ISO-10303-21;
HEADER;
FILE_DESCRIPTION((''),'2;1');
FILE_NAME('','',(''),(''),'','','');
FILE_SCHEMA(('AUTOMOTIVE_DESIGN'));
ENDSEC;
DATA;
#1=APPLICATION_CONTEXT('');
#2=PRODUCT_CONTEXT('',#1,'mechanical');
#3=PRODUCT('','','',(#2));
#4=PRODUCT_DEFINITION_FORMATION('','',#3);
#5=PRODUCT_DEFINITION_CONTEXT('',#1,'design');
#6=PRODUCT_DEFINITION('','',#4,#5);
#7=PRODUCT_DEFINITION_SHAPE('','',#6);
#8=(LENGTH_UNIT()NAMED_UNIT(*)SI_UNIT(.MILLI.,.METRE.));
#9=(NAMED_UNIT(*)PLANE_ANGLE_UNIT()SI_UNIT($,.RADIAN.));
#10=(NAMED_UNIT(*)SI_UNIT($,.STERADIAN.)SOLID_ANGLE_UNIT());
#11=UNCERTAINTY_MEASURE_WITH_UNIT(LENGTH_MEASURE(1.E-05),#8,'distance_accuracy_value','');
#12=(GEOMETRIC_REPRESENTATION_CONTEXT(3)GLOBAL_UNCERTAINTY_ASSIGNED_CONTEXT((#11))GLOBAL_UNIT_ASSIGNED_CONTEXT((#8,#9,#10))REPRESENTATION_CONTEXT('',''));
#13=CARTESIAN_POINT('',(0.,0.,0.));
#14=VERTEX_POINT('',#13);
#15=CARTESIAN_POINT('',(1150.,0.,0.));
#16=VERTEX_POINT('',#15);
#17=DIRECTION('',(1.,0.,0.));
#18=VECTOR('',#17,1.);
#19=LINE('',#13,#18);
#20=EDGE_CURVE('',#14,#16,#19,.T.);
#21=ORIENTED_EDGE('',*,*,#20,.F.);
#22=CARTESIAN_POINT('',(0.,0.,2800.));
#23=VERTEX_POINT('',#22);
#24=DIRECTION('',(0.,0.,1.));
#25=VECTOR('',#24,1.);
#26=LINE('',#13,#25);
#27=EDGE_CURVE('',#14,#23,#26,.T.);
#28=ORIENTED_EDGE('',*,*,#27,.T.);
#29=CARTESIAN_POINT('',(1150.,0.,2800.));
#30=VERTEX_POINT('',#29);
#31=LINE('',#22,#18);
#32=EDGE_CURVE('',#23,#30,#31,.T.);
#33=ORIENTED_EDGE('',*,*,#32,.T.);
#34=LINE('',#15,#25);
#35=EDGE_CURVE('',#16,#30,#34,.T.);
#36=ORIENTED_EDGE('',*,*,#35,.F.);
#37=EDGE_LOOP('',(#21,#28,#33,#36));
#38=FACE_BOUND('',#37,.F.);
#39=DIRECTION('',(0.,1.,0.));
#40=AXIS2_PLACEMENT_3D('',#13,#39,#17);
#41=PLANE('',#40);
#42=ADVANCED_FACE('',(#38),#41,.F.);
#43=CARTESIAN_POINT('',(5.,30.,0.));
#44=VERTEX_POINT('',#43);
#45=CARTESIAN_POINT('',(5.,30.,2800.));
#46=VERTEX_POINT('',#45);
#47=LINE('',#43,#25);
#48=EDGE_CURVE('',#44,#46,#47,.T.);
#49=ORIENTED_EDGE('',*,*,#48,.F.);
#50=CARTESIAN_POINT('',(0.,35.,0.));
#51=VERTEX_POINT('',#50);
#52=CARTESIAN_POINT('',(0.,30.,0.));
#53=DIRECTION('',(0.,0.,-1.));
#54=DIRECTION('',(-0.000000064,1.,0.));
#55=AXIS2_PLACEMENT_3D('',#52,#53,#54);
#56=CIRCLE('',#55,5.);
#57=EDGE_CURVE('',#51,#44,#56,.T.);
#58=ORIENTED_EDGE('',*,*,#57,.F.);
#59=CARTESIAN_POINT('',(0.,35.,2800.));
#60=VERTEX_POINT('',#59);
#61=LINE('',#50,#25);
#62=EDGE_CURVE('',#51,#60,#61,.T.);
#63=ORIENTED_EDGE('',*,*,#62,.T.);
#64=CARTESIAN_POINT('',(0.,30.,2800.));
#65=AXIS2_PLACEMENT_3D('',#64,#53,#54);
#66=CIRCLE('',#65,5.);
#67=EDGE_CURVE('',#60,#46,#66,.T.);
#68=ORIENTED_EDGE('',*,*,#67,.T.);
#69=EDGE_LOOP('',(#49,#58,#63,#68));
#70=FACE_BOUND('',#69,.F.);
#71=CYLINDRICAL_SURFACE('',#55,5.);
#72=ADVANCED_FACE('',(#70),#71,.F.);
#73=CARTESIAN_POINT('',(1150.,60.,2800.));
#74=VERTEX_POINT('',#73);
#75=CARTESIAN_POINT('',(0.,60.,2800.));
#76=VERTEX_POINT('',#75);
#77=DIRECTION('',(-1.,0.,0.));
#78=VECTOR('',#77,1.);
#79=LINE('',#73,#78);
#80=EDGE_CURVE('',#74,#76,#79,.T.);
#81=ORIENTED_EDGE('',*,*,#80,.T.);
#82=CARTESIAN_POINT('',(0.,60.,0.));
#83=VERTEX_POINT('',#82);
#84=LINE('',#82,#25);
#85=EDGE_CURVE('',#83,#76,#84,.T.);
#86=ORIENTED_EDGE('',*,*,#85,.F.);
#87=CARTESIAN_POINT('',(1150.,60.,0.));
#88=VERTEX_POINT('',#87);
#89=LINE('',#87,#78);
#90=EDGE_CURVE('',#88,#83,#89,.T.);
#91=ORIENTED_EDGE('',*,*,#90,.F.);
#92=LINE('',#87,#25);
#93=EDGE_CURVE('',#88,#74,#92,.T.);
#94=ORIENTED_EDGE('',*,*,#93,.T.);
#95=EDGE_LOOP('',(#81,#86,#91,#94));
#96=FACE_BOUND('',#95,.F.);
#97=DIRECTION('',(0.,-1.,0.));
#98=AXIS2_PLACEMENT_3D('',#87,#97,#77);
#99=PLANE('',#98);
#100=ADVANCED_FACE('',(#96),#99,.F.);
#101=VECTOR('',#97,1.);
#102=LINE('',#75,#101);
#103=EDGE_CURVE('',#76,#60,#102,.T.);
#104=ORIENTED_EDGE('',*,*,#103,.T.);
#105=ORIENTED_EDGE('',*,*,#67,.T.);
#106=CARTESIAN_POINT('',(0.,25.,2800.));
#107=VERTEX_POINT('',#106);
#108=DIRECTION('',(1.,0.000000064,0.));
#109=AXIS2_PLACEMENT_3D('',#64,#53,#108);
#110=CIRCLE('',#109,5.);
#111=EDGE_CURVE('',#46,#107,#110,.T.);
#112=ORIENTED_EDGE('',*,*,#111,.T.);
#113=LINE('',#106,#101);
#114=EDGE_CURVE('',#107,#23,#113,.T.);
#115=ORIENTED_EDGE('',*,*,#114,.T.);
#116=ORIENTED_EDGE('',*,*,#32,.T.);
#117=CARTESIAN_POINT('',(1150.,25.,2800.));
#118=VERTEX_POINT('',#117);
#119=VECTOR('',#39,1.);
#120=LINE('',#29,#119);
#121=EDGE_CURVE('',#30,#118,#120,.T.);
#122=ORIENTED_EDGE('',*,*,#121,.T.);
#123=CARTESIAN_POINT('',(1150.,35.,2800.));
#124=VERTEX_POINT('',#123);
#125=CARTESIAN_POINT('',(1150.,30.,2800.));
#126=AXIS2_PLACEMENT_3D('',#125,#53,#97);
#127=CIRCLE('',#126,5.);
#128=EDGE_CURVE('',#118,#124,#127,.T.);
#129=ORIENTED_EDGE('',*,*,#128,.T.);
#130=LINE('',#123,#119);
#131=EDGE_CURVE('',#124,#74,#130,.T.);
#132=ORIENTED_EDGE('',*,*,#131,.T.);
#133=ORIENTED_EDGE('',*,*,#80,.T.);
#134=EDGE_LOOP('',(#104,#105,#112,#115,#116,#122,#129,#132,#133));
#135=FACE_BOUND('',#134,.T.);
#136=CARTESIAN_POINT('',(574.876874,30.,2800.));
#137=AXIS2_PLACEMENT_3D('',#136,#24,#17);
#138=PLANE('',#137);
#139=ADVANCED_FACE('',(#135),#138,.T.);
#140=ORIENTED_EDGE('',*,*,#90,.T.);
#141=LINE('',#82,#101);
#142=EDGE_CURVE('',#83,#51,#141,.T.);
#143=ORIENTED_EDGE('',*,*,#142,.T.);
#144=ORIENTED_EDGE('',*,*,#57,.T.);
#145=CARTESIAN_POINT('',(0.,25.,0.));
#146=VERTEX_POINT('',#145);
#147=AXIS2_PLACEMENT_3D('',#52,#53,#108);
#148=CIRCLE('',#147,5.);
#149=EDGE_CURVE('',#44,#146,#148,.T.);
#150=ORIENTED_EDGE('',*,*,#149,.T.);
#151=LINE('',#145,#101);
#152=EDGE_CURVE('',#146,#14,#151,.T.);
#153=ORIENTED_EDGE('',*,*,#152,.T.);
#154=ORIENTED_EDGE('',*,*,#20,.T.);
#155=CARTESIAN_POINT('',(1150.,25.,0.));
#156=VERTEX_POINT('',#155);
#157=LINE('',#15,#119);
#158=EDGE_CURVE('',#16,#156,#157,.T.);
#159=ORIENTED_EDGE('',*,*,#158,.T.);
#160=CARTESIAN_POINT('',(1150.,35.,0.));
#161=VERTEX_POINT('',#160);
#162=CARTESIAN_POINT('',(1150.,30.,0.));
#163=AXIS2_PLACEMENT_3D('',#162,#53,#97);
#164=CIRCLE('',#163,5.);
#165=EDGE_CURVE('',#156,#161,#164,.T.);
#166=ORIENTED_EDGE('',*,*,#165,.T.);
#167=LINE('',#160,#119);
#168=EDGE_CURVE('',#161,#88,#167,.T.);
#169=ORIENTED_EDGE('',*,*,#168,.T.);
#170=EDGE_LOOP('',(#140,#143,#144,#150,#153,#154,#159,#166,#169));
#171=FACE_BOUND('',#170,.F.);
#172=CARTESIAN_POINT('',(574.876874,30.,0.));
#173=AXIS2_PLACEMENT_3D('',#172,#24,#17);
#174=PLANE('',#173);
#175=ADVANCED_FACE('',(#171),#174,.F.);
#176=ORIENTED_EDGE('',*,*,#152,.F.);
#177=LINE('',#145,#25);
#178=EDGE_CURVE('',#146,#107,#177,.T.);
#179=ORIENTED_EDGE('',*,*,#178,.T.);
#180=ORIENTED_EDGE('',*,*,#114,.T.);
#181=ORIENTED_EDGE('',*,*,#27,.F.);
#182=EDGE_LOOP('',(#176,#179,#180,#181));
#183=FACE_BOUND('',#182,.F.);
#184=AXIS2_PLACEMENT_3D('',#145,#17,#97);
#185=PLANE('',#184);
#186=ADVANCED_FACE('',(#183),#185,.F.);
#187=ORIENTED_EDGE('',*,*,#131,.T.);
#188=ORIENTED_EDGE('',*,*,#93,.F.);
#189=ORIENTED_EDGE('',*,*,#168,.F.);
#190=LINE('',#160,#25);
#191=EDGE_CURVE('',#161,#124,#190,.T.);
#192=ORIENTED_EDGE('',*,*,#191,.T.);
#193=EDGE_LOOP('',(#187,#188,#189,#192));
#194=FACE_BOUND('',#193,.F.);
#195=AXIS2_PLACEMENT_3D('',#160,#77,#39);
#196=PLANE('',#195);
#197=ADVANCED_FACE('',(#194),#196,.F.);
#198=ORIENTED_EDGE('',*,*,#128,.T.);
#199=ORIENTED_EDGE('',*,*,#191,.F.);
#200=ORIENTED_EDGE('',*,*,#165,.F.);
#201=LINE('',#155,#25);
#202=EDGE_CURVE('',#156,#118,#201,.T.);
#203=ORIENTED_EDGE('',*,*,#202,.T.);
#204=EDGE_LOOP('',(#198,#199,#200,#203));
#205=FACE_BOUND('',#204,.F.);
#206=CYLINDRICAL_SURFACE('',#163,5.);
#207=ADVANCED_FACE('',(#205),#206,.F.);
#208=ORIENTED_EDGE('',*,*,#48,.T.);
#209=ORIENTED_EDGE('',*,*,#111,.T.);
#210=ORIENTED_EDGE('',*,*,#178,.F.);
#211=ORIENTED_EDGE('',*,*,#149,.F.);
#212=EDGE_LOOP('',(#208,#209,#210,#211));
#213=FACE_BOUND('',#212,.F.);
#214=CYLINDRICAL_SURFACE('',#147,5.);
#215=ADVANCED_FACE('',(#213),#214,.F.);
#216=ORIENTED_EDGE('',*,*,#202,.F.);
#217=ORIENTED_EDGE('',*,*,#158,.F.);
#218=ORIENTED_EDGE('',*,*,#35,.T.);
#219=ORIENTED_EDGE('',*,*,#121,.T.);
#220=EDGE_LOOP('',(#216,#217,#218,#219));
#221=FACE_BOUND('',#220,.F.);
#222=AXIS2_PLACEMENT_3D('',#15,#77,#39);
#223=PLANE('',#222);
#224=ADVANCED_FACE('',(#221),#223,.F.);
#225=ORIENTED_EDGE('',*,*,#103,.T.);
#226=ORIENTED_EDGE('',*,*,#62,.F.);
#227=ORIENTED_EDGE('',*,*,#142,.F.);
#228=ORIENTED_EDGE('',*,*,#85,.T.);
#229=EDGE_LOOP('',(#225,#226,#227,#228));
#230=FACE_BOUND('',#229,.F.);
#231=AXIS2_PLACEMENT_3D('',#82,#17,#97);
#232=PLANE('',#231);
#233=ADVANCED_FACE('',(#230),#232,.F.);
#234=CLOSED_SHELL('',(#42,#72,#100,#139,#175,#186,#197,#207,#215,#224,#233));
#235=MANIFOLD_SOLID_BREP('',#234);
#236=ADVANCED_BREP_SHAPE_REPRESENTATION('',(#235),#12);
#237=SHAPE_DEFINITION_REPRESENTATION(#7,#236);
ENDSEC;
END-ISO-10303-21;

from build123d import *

# Parameters (mm, degrees)
F1_DEPTH = 2800


with BuildPart() as f1:
    # F0 (on Top) → F1 (new body)
    with BuildSketch(Plane.XY):
        with BuildLine():
            Line((0, 25), (0, 0))
            Line((0, 0), (1150, 0))
            Line((1150, 0), (1150, 25))
            ThreePointArc((1150, 25), (1145, 30), (1150, 35))
            Line((1150, 35), (1150, 60))
            Line((1150, 60), (0, 60))
            Line((0, 60), (0, 35))
            ThreePointArc((0, 35), (3.535534, 33.535534), (5, 30))
            ThreePointArc((5, 30), (3.535534, 26.464466), (0, 25))
        make_face()
    extrude(amount=F1_DEPTH)


solid = f1.part
